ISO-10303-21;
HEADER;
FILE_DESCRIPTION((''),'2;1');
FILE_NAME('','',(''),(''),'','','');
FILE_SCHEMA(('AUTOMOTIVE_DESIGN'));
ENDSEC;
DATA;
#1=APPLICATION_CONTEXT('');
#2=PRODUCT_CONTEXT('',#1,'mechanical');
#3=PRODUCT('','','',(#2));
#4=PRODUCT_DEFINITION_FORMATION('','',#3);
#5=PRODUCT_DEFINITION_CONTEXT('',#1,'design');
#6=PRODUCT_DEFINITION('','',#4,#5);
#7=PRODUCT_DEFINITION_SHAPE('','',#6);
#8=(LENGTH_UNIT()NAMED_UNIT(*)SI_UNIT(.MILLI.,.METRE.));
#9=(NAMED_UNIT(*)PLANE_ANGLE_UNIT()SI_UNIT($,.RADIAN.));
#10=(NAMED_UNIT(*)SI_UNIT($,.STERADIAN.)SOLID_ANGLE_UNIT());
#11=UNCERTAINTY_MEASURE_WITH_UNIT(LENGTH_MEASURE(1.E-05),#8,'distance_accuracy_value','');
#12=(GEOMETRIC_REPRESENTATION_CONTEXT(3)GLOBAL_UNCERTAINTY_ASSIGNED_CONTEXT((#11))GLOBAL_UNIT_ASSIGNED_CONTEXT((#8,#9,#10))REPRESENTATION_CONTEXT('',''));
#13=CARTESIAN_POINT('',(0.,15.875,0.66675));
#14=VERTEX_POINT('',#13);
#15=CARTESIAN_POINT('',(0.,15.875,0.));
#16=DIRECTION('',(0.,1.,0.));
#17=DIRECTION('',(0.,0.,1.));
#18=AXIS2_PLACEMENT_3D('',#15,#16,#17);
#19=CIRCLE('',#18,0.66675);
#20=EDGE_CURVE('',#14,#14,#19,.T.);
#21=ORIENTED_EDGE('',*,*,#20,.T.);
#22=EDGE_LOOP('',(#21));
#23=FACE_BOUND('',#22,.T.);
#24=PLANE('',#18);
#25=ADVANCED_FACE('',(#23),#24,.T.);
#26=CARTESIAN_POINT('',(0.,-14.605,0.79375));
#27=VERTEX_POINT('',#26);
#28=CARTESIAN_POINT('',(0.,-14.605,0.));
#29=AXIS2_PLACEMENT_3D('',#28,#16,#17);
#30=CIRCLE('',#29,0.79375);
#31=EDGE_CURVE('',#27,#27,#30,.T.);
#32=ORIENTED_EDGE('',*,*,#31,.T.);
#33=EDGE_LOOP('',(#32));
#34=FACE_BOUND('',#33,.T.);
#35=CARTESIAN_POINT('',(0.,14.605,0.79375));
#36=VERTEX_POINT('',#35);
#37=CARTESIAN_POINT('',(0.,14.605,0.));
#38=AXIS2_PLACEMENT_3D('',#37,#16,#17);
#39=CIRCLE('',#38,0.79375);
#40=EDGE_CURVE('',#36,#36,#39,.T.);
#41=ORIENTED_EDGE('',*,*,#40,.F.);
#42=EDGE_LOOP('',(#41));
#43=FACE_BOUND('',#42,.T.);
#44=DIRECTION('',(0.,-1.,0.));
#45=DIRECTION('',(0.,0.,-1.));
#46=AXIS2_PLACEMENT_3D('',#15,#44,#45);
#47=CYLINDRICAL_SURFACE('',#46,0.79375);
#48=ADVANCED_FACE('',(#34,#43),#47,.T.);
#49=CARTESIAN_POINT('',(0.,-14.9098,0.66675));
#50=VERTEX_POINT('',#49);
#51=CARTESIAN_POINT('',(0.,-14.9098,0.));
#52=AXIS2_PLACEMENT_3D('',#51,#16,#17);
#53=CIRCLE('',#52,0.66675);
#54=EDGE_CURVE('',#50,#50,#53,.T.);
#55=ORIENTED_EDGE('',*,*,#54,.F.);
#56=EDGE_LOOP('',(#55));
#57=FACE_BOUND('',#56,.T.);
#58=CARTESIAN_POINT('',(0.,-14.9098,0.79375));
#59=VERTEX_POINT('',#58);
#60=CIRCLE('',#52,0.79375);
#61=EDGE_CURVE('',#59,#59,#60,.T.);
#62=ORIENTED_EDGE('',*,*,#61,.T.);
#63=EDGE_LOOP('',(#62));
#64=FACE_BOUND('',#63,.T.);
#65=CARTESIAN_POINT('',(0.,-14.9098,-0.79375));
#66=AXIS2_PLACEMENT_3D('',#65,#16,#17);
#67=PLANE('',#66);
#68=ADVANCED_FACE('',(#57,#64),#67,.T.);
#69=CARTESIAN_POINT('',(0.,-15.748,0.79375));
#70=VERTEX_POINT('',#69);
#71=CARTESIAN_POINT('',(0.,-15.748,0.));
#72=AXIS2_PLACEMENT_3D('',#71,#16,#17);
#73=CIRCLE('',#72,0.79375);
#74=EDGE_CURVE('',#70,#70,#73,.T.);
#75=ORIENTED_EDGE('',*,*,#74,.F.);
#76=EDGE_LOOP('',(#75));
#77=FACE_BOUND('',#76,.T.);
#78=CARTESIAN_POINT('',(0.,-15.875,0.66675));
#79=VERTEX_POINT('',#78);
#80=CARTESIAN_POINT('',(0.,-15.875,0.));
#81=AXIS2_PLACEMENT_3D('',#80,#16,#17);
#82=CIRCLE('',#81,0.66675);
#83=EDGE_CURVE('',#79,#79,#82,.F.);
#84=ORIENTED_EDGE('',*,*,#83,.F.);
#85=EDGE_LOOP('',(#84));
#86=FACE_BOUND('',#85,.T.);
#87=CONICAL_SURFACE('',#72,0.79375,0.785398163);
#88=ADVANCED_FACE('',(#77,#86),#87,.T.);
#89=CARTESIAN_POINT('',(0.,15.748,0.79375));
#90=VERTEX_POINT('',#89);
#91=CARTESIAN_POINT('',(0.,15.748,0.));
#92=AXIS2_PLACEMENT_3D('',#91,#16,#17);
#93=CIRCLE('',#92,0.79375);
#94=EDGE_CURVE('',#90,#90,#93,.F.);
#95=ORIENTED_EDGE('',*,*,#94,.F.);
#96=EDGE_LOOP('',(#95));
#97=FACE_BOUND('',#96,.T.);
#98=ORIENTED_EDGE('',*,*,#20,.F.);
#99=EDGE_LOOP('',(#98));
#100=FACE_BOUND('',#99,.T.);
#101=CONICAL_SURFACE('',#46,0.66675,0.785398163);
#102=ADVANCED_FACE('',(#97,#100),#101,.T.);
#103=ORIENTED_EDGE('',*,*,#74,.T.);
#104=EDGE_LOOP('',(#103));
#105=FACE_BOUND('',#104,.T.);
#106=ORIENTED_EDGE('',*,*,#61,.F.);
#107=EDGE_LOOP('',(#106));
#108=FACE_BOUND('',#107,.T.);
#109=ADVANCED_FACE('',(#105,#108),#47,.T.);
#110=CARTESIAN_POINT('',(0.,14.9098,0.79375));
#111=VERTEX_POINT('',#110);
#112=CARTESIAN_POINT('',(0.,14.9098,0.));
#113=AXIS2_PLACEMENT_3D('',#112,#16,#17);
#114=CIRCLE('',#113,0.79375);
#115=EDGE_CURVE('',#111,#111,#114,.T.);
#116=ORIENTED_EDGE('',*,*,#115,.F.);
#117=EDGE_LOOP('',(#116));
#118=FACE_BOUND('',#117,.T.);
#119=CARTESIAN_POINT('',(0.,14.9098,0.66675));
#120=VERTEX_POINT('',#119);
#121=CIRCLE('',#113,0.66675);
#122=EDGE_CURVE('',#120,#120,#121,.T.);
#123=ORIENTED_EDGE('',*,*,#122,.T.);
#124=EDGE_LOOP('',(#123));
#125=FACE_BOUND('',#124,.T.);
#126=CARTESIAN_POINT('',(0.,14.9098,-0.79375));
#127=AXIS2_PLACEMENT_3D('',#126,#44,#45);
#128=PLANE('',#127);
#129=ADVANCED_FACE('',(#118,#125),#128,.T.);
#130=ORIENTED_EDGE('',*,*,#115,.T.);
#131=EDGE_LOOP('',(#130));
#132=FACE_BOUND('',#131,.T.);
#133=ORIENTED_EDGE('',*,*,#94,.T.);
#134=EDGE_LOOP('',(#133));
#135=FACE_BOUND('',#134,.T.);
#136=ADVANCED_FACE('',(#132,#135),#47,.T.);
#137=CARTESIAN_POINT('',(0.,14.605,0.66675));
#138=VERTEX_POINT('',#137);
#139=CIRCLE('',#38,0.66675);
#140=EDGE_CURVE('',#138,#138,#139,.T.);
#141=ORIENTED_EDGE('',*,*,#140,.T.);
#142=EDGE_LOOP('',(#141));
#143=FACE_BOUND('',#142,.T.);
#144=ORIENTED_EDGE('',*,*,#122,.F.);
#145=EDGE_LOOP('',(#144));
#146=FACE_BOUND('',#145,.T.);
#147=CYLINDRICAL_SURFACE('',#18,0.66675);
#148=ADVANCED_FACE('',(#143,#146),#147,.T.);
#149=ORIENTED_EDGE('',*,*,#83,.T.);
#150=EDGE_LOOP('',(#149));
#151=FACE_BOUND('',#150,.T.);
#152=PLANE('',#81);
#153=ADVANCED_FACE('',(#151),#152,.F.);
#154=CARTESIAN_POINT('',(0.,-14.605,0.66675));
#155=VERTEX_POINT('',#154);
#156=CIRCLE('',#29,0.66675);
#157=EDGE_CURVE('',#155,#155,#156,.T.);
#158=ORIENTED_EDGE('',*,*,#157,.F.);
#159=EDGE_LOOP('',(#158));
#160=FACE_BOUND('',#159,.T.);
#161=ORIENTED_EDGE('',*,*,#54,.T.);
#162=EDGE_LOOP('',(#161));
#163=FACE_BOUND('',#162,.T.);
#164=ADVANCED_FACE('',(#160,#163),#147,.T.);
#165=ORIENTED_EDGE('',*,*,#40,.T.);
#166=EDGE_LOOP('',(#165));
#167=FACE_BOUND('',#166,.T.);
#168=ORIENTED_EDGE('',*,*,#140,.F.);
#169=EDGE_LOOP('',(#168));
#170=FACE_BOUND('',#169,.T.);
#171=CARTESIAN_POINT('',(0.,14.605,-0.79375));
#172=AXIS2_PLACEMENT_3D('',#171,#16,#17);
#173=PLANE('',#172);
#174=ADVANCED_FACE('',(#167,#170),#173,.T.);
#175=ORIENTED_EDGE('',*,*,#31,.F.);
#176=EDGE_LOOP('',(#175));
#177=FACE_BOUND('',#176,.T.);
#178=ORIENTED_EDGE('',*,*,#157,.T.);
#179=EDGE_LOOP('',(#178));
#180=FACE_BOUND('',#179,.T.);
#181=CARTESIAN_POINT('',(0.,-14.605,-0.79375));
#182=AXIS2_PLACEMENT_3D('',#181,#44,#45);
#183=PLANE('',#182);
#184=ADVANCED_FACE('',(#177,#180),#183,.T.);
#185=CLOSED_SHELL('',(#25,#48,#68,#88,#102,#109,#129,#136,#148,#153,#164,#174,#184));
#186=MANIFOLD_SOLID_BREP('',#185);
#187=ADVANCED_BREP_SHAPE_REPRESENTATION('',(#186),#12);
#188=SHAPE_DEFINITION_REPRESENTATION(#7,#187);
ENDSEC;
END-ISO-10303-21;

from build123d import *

# Parameters (mm, degrees)
SKETCH1_R      = 0.79375
EXTRUDE1_DEPTH = 15.875
SKETCH2_W      = 0.127
SKETCH2_H      = 0.3048
CHAMFER1_SIZE  = 0.127


with BuildPart() as part:
    # Sketch1 → Extrude1 (new, symmetric)
    with BuildSketch(Plane(origin=(0, 0, 0), x_dir=(1, 0, 0), z_dir=(0, 1, 0))):
        with Locations(Location((0, 0, 0), (0, 0, 270))):
            Circle(SKETCH1_R)
    extrude(amount=EXTRUDE1_DEPTH, both=True)

    # Sketch2 → Cut-Revolve1 (revolve, cut)
    with BuildSketch(Plane(origin=(0, 0, 0), x_dir=(0, 0, -1), z_dir=(1, 0, 0)), mode=Mode.PRIVATE) as cut_revolve1_sk:
        with Locations((0.73025, 14.7574)):
            Rectangle(SKETCH2_W, SKETCH2_H)
        with Locations((0.73025, -14.7574)):
            Rectangle(SKETCH2_W, SKETCH2_H)
    revolve(cut_revolve1_sk.sketch.rotate(Axis((0, 15.875, 0), (0, -1, 0)), 180), axis=Axis((0, 15.875, 0), (0, -1, 0)), mode=Mode.SUBTRACT)

    # Chamfer1
    chamfer1_edges = [part.edges().sort_by_distance(p)[0] for p in [
        (0, -15.875, -0.79375),
        (0, 15.875, -0.79375),
    ]]
    chamfer(chamfer1_edges, length=CHAMFER1_SIZE)


solid = part.part
